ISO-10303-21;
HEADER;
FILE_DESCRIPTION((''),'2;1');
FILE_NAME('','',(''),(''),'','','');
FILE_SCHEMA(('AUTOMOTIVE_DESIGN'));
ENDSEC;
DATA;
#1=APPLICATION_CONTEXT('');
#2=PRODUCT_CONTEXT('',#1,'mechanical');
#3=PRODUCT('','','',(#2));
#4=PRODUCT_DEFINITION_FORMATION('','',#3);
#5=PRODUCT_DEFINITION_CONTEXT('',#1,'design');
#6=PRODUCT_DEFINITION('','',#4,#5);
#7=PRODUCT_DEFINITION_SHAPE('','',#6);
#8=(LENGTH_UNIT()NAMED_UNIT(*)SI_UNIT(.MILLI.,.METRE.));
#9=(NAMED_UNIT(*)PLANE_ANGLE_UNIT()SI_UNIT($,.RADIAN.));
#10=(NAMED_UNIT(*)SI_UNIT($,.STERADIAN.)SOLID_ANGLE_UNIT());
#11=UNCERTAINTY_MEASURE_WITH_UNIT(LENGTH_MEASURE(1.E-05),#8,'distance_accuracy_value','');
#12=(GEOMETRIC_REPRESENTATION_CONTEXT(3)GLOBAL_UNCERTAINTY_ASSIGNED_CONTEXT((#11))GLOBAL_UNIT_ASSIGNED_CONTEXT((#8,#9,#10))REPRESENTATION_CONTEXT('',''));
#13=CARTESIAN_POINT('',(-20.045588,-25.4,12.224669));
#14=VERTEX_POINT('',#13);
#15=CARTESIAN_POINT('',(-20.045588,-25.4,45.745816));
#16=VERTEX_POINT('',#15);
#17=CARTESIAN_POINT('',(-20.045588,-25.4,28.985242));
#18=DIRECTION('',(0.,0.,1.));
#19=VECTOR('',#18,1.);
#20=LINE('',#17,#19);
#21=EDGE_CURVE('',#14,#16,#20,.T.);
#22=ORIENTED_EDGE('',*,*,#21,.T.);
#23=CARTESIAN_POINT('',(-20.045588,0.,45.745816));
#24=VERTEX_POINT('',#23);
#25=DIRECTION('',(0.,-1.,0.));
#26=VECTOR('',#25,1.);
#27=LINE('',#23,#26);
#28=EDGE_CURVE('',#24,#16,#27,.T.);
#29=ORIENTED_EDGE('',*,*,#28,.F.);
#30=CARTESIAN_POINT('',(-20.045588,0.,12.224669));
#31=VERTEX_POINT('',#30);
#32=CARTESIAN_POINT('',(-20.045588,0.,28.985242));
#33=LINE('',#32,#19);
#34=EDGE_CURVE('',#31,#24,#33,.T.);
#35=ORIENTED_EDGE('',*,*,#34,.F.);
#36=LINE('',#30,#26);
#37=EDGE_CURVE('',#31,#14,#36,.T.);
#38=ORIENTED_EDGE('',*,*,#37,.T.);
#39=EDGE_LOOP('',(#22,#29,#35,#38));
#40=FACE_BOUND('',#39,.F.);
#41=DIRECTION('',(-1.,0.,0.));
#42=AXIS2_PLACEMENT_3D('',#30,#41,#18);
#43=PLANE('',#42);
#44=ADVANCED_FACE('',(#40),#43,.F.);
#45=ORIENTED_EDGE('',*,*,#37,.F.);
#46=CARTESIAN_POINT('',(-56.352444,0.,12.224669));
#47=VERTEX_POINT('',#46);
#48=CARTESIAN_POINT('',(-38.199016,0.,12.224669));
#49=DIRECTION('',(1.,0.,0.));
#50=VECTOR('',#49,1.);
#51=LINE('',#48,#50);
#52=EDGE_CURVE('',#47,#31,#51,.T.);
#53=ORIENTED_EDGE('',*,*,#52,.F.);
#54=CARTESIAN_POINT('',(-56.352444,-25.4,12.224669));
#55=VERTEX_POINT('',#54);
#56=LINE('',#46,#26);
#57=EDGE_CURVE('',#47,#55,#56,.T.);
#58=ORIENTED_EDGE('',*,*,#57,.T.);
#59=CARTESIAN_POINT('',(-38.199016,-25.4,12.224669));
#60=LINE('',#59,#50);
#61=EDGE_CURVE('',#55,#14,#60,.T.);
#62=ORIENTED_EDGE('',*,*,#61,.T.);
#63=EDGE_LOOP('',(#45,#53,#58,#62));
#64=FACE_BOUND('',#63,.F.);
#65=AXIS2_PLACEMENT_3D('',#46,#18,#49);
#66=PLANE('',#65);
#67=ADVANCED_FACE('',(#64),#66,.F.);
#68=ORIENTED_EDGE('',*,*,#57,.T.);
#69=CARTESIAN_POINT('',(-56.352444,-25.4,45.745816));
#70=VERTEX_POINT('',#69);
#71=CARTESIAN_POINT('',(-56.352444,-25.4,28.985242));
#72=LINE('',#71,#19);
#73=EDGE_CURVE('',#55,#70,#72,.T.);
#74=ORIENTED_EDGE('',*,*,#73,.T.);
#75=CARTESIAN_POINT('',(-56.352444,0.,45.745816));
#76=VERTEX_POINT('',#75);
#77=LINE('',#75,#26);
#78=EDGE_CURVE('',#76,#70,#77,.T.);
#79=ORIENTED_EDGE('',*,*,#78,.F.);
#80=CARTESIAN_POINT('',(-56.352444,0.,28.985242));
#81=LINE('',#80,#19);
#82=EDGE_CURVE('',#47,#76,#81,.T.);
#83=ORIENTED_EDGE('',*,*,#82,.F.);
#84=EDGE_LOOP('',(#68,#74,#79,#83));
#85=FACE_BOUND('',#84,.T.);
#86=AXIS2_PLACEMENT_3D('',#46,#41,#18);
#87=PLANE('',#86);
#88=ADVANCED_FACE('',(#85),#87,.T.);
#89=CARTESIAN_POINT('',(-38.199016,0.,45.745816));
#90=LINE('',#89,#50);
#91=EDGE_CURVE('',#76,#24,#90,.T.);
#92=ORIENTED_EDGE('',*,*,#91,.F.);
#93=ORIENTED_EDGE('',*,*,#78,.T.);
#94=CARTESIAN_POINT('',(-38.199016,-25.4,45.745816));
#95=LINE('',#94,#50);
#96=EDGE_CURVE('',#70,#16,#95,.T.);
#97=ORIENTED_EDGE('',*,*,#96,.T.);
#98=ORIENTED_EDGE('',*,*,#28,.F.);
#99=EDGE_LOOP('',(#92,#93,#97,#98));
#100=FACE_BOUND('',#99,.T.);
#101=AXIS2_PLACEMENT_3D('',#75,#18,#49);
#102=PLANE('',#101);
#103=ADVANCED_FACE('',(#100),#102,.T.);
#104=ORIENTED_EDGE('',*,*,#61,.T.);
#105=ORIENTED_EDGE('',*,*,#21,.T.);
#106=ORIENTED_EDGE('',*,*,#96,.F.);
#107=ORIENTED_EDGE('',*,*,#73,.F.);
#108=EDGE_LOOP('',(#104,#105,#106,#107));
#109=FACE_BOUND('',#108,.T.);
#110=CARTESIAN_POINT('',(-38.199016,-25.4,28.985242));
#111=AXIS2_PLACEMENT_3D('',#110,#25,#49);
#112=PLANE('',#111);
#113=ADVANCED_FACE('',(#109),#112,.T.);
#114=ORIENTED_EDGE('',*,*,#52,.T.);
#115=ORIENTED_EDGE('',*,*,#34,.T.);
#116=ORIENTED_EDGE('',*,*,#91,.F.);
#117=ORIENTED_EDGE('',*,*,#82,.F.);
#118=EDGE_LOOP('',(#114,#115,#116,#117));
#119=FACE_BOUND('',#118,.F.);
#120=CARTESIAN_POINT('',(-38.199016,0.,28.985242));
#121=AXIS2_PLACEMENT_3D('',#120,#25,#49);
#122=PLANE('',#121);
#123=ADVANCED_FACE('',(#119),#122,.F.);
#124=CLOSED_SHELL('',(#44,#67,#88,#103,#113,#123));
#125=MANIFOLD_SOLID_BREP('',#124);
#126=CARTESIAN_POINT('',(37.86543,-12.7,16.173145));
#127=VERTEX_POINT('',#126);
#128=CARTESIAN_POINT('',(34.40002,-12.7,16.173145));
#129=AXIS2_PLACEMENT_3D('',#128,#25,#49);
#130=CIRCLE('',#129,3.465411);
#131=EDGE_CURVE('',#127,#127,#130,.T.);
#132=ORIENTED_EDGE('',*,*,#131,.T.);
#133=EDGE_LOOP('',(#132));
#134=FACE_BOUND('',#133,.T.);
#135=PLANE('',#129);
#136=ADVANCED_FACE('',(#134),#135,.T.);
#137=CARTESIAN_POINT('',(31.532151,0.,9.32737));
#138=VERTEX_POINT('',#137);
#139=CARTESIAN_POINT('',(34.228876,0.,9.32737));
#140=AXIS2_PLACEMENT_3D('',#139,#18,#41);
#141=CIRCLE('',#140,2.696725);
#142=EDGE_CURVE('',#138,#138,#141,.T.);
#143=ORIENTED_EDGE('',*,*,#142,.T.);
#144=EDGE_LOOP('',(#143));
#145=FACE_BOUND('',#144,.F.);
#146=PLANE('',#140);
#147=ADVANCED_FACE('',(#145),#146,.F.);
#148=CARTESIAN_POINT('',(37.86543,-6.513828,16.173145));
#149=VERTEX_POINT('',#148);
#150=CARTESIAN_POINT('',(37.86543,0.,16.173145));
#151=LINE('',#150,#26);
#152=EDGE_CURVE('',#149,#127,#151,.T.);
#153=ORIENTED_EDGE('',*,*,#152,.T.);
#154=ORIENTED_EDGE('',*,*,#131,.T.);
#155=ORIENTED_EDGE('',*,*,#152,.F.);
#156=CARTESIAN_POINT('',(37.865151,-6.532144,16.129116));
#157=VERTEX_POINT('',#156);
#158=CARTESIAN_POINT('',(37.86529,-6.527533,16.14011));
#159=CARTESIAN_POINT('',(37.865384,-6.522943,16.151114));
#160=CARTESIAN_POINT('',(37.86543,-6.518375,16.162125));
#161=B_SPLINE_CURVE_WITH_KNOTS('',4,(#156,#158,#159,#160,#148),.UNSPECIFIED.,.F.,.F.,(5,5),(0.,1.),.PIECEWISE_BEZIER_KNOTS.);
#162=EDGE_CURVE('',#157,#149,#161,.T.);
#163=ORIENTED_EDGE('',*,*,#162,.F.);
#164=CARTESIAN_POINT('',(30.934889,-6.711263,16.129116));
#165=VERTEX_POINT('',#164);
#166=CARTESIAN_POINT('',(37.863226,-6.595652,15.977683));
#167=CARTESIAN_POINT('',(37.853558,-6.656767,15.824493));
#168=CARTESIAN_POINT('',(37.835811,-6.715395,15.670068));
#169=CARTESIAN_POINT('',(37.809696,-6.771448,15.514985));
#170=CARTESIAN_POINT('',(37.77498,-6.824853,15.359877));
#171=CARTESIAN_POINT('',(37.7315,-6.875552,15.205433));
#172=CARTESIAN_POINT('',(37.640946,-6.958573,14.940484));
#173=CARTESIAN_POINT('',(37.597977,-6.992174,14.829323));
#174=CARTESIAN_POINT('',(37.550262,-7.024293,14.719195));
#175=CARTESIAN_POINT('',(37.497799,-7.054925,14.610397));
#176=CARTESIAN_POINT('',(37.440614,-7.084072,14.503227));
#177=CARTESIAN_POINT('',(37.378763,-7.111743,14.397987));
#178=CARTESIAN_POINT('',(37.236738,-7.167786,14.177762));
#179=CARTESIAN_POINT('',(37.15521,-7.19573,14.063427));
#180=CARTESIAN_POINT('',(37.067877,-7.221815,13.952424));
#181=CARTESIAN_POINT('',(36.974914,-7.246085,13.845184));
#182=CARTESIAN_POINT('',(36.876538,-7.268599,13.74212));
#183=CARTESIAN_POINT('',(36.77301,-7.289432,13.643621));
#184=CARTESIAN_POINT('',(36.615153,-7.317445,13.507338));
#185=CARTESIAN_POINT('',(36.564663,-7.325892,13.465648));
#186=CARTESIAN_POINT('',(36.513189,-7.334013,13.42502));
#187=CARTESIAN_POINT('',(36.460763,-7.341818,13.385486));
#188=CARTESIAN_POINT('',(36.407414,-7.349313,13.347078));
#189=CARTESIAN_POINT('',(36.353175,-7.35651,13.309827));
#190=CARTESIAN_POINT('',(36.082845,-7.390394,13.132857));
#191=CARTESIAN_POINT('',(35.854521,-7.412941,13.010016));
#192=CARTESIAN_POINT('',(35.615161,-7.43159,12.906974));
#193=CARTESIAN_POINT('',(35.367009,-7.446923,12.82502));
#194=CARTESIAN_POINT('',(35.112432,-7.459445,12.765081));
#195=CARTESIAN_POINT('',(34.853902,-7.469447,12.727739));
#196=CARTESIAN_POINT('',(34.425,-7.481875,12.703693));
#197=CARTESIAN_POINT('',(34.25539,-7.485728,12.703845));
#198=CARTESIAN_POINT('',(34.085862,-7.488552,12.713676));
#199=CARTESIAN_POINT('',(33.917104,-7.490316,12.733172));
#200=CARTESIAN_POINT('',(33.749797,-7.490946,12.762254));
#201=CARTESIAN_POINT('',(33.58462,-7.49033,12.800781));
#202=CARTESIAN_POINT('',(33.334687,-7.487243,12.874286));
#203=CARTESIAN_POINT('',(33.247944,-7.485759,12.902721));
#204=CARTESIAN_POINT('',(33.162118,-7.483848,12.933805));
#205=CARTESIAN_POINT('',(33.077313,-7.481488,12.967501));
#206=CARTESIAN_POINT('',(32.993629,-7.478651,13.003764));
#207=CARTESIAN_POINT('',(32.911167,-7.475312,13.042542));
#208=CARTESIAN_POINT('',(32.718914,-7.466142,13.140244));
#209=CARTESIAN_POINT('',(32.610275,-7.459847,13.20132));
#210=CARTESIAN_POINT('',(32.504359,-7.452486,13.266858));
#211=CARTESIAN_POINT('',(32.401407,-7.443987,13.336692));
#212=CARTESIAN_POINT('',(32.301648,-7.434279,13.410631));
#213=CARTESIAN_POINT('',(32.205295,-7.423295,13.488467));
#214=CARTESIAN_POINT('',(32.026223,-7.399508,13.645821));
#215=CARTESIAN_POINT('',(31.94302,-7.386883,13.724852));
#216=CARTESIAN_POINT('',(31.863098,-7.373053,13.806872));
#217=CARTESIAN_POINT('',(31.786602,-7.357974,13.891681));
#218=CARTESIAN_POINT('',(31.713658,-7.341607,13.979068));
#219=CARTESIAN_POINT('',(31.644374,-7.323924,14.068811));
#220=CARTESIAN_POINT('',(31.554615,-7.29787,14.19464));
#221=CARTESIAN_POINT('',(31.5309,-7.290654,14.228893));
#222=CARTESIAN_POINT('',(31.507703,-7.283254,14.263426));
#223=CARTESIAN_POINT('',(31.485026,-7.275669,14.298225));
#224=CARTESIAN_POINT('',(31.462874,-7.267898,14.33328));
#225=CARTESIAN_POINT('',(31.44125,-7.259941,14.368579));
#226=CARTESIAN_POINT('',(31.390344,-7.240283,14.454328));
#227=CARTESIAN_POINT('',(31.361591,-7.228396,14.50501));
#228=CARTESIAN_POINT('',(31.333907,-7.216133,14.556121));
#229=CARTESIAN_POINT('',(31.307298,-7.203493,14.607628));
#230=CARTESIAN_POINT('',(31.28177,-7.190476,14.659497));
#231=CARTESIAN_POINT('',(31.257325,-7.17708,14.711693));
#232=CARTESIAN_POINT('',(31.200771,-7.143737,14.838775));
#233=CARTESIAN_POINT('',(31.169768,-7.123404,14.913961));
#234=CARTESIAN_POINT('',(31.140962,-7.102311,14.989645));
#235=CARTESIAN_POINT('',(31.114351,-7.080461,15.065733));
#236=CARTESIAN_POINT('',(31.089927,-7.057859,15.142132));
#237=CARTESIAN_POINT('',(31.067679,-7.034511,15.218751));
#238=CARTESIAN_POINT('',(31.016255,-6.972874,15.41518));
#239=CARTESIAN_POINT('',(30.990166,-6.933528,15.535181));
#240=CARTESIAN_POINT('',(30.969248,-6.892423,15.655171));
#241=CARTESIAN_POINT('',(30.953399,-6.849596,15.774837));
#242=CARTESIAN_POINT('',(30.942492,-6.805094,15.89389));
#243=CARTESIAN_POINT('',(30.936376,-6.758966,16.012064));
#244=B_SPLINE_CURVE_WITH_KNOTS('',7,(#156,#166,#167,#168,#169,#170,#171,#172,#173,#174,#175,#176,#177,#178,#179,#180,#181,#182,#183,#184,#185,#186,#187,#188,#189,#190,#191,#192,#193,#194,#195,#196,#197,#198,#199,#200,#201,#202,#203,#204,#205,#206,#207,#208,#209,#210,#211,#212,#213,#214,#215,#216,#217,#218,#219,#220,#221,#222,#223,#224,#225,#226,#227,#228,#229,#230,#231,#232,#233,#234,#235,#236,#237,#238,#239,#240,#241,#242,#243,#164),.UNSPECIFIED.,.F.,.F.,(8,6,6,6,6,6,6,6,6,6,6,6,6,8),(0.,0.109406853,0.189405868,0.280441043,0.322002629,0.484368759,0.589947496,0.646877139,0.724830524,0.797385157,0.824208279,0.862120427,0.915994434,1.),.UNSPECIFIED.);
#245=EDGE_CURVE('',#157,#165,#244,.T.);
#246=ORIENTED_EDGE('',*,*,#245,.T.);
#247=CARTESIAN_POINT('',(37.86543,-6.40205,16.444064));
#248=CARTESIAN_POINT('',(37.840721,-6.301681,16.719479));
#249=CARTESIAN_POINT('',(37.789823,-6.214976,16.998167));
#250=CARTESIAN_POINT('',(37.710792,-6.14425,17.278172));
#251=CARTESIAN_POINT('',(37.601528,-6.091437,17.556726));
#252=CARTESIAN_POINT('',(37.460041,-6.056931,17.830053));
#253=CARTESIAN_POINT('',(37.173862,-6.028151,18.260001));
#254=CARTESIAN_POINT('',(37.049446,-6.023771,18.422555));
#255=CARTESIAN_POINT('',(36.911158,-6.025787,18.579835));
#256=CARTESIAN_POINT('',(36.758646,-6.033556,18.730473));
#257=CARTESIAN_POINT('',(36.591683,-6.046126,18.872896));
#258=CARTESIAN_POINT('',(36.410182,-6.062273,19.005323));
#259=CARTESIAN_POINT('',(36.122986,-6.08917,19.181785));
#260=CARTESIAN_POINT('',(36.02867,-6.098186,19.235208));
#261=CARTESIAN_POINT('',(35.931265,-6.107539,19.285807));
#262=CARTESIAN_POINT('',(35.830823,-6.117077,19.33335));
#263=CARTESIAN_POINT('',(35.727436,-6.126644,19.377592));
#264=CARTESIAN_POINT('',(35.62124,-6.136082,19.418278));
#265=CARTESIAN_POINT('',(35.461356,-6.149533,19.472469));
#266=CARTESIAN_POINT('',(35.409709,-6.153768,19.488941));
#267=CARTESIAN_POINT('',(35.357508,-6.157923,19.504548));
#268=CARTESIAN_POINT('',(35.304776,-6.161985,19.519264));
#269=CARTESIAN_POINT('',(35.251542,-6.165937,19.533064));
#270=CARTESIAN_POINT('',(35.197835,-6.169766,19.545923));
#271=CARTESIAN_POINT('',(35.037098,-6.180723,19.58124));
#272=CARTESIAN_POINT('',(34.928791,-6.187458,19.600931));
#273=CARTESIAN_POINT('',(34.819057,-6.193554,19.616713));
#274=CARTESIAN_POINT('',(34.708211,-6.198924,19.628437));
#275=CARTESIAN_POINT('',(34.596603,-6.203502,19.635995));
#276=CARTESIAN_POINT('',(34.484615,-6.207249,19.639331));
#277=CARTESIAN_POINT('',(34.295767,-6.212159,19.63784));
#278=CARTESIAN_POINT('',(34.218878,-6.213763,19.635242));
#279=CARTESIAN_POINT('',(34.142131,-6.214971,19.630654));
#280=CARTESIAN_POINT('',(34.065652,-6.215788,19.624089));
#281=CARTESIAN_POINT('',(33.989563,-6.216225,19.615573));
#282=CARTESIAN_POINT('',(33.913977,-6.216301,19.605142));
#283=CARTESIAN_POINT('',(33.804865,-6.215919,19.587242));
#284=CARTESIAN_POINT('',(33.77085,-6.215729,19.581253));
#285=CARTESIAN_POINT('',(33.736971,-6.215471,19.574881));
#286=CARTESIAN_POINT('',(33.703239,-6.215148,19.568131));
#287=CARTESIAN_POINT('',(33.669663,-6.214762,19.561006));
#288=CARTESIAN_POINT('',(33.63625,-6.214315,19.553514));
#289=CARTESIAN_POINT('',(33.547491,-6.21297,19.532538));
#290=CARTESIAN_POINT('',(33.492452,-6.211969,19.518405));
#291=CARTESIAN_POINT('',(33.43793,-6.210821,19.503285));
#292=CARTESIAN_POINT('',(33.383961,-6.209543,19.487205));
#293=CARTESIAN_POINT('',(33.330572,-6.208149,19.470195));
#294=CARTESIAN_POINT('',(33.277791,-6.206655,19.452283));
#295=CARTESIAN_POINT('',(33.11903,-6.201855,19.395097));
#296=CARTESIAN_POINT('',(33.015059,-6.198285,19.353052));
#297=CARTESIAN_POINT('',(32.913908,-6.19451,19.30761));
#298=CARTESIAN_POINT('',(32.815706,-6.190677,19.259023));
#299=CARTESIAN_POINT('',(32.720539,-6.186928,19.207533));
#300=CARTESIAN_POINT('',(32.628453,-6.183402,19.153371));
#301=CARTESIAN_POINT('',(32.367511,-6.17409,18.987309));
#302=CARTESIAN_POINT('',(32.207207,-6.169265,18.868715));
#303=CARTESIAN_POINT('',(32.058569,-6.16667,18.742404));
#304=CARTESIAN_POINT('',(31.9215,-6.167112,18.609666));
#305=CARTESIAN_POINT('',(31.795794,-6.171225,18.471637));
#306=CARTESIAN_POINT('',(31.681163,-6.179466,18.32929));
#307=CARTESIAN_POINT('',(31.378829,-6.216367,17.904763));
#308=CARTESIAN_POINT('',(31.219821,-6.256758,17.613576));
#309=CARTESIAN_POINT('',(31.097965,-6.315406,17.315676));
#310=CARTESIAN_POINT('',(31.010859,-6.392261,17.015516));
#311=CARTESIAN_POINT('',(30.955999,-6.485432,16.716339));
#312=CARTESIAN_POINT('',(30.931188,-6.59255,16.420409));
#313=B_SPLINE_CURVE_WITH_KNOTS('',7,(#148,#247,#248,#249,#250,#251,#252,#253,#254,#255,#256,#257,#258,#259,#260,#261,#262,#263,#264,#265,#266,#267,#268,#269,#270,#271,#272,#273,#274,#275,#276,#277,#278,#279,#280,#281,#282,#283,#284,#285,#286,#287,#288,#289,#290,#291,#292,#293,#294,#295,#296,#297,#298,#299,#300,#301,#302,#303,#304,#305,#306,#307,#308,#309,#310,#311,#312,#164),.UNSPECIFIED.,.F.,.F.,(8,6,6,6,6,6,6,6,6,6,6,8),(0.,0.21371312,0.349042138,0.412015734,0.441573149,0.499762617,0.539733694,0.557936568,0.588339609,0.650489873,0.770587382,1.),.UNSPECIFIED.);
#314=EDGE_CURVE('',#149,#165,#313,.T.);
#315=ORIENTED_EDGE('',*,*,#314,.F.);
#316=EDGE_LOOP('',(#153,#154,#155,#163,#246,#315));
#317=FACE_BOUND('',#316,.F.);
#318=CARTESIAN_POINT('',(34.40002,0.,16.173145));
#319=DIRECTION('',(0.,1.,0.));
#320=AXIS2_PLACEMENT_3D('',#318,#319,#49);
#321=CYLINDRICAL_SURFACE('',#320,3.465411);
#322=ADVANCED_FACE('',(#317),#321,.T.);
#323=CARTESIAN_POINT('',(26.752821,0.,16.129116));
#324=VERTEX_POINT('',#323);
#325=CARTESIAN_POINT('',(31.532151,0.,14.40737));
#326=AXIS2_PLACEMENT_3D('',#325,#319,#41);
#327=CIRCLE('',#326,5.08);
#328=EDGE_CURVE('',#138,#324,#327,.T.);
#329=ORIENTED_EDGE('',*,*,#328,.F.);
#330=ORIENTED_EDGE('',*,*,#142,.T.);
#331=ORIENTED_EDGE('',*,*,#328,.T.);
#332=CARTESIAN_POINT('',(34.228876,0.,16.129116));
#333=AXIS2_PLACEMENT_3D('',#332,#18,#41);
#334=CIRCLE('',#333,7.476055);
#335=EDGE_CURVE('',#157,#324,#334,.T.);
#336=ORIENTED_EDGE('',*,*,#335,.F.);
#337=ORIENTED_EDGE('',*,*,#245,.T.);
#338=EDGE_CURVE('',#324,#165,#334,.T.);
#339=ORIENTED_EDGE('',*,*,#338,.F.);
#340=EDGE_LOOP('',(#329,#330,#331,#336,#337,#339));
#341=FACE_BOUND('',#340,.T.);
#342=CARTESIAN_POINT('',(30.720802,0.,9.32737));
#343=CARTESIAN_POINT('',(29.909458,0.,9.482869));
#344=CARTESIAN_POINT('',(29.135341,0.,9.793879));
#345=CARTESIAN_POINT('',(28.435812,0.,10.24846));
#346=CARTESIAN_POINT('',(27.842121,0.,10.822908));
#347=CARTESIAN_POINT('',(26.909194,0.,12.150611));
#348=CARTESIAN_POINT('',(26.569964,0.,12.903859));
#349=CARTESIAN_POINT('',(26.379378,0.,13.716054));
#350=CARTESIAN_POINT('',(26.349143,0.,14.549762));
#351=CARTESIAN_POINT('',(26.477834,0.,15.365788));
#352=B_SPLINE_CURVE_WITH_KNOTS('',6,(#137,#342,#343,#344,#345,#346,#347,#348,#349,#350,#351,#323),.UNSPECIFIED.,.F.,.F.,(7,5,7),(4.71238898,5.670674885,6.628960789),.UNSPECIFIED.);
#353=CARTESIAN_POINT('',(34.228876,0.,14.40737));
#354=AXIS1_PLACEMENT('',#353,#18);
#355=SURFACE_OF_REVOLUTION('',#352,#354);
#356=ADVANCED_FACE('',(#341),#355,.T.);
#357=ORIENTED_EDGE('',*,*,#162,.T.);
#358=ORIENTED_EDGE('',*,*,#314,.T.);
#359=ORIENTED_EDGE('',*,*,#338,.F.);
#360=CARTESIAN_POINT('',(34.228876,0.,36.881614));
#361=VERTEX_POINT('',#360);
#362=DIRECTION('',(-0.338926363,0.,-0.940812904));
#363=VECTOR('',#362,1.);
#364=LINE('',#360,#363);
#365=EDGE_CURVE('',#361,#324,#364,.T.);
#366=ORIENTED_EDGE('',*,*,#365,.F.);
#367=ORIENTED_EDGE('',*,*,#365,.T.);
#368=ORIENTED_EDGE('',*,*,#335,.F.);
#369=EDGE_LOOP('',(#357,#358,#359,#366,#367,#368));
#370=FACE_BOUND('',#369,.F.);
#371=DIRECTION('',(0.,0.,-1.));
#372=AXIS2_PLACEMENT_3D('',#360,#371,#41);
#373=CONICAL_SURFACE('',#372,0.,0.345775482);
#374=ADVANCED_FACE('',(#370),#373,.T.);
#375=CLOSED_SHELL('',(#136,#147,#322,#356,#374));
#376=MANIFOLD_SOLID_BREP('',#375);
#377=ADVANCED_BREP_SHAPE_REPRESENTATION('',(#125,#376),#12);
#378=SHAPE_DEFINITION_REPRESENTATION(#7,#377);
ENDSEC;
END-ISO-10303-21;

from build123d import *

# Parameters (mm, degrees)
F2_W     = 36.3068562001
F2_H     = 33.5211474448
F3_DEPTH = 25.4
F4_R     = 5.08
F5_R     = 3.4654105719
F6_DEPTH = 12.7


with BuildPart() as f1:
    # F0 (on Front) → F1 (revolve)
    with BuildSketch(Plane.XZ):
        Polygon((24.3025030941, 9.3273697421), (34.2288762331, 9.3273697421), (34.2288762331, 36.8816144764), align=None)
    revolve(axis=Axis((34.2288762331, 0, 23.1044921093), (0, 0, 1)))

    # F4
    f4_edges = [f1.edges().sort_by_distance(p)[0] for p in [
        (44.155249, 0, 9.32737),
    ]]
    fillet(f4_edges, radius=F4_R)

    # F5 (on Front) → F6 (join)
    with BuildSketch(Plane.XZ):
        with Locations((34.4000197947, 16.1731448025)):
            Circle(F5_R)
    extrude(amount=F6_DEPTH)


with BuildPart() as f3:
    # F2 (on Front) → F3 (new body)
    with BuildSketch(Plane.XZ):
        with Locations((-38.199015893, 28.9852423593)):
            Rectangle(F2_W, F2_H)
    extrude(amount=F3_DEPTH)


solid = Compound([f1.part, f3.part])
